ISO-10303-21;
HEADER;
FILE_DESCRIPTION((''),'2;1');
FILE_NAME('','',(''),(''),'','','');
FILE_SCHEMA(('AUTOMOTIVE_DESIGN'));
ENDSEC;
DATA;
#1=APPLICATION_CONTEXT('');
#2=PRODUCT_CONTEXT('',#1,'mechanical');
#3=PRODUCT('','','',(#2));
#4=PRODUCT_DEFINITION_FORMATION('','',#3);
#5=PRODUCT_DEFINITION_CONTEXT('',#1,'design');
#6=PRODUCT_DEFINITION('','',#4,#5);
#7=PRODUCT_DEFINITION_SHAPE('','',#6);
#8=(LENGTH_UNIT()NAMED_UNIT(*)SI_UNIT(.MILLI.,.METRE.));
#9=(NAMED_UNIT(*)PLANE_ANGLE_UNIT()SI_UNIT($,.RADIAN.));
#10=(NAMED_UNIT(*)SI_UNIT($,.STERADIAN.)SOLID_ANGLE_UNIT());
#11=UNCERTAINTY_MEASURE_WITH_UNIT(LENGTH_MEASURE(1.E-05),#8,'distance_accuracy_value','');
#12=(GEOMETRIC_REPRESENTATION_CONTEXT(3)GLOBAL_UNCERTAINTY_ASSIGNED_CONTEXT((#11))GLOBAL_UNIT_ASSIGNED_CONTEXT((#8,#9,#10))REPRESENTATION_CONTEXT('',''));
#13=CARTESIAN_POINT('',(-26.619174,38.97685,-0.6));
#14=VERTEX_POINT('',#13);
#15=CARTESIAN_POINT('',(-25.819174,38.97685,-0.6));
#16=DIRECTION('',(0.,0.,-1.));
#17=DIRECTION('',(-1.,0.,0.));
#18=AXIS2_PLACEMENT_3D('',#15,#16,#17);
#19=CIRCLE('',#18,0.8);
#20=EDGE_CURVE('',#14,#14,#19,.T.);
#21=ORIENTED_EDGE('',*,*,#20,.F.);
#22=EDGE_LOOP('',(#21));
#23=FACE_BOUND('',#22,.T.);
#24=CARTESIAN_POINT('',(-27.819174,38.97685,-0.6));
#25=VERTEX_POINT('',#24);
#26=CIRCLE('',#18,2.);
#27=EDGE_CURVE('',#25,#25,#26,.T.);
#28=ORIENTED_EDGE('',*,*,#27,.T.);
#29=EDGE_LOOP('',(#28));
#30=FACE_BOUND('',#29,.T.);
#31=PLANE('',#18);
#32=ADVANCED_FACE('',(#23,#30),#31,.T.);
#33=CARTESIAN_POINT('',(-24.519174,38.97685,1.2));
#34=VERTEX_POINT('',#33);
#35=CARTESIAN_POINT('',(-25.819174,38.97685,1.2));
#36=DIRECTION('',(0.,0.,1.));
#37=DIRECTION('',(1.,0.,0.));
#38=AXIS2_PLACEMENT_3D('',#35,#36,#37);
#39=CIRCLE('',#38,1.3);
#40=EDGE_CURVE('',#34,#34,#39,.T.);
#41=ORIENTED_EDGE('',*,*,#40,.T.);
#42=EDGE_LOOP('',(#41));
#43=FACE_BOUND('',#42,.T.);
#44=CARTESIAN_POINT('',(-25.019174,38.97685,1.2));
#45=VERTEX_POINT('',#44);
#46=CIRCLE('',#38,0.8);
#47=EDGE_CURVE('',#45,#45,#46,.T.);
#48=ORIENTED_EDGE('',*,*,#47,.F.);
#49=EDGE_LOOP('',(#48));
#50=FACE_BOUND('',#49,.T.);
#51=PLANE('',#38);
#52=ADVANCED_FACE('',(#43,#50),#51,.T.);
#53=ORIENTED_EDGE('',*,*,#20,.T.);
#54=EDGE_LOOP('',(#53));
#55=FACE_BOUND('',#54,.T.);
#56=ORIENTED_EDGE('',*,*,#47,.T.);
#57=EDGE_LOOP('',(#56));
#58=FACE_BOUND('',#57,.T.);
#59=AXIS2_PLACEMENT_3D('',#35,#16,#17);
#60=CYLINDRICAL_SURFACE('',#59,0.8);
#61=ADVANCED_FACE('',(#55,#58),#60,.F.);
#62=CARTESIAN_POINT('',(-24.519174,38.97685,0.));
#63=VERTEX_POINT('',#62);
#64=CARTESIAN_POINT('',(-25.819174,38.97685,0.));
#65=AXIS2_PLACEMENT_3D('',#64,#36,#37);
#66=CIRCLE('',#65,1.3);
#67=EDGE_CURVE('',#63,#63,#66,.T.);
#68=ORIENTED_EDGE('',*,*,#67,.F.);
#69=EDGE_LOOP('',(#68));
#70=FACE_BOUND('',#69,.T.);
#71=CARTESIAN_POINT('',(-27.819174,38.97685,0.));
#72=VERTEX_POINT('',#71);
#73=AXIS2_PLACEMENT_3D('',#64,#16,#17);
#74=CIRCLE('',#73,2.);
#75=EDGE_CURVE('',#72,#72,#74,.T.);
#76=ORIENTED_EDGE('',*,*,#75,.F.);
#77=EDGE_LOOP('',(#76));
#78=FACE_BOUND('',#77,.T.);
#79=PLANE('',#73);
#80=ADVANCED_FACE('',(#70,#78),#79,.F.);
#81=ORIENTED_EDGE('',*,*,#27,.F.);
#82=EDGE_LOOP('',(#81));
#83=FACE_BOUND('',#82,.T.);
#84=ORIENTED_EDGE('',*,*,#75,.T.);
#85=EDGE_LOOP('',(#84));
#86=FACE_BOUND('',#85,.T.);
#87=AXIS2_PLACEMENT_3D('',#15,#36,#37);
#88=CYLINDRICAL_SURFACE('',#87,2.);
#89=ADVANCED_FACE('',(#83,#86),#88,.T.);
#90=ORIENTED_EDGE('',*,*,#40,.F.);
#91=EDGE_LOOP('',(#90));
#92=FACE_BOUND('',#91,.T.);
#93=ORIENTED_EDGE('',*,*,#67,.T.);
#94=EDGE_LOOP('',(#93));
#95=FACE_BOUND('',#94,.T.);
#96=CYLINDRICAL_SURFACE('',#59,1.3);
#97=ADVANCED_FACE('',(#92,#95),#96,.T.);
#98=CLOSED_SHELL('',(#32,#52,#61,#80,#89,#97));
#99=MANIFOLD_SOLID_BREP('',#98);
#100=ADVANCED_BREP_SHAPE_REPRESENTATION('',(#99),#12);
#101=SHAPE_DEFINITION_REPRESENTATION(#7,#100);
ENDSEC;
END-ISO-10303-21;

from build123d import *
from build123d.topology import SkipClean

# Parameters (mm, degrees)
SKETCH1_R           = 1.3
SKETCH1_R_2         = 0.8
BOSS_EXTRUDE1_DEPTH = 1.2
BOSS_EXTRUDE2_START = 0.6
SKETCH2_R           = 2
SKETCH2_R_2         = 0.8
BOSS_EXTRUDE2_DEPTH = 0.6


with BuildPart() as part:
    # Sketch1 → Boss-Extrude1 (new body)
    with BuildSketch(Plane.XY):
        with Locations((-25.819173571, 38.976850261)):
            Circle(SKETCH1_R)
        with Locations((-25.819173571, 38.976850261)):
            Circle(SKETCH1_R_2, mode=Mode.SUBTRACT)
    extrude(amount=BOSS_EXTRUDE1_DEPTH)

    # Sketch2 → Boss-Extrude2 (add)
    with SkipClean():  # the faces are left unmerged after this step: merging them gives an invalid solid
        with BuildSketch(Plane(origin=(0, 0, 0), x_dir=(-1, 0, 0), z_dir=(0, 0, -1)).offset(BOSS_EXTRUDE2_START)):
            with Locations((25.819173571, 38.976850261)):
                Circle(SKETCH2_R)
            with Locations((25.819173571, 38.976850261)):
                Circle(SKETCH2_R_2, mode=Mode.SUBTRACT)
        extrude(amount=-BOSS_EXTRUDE2_DEPTH)


solid = part.part
